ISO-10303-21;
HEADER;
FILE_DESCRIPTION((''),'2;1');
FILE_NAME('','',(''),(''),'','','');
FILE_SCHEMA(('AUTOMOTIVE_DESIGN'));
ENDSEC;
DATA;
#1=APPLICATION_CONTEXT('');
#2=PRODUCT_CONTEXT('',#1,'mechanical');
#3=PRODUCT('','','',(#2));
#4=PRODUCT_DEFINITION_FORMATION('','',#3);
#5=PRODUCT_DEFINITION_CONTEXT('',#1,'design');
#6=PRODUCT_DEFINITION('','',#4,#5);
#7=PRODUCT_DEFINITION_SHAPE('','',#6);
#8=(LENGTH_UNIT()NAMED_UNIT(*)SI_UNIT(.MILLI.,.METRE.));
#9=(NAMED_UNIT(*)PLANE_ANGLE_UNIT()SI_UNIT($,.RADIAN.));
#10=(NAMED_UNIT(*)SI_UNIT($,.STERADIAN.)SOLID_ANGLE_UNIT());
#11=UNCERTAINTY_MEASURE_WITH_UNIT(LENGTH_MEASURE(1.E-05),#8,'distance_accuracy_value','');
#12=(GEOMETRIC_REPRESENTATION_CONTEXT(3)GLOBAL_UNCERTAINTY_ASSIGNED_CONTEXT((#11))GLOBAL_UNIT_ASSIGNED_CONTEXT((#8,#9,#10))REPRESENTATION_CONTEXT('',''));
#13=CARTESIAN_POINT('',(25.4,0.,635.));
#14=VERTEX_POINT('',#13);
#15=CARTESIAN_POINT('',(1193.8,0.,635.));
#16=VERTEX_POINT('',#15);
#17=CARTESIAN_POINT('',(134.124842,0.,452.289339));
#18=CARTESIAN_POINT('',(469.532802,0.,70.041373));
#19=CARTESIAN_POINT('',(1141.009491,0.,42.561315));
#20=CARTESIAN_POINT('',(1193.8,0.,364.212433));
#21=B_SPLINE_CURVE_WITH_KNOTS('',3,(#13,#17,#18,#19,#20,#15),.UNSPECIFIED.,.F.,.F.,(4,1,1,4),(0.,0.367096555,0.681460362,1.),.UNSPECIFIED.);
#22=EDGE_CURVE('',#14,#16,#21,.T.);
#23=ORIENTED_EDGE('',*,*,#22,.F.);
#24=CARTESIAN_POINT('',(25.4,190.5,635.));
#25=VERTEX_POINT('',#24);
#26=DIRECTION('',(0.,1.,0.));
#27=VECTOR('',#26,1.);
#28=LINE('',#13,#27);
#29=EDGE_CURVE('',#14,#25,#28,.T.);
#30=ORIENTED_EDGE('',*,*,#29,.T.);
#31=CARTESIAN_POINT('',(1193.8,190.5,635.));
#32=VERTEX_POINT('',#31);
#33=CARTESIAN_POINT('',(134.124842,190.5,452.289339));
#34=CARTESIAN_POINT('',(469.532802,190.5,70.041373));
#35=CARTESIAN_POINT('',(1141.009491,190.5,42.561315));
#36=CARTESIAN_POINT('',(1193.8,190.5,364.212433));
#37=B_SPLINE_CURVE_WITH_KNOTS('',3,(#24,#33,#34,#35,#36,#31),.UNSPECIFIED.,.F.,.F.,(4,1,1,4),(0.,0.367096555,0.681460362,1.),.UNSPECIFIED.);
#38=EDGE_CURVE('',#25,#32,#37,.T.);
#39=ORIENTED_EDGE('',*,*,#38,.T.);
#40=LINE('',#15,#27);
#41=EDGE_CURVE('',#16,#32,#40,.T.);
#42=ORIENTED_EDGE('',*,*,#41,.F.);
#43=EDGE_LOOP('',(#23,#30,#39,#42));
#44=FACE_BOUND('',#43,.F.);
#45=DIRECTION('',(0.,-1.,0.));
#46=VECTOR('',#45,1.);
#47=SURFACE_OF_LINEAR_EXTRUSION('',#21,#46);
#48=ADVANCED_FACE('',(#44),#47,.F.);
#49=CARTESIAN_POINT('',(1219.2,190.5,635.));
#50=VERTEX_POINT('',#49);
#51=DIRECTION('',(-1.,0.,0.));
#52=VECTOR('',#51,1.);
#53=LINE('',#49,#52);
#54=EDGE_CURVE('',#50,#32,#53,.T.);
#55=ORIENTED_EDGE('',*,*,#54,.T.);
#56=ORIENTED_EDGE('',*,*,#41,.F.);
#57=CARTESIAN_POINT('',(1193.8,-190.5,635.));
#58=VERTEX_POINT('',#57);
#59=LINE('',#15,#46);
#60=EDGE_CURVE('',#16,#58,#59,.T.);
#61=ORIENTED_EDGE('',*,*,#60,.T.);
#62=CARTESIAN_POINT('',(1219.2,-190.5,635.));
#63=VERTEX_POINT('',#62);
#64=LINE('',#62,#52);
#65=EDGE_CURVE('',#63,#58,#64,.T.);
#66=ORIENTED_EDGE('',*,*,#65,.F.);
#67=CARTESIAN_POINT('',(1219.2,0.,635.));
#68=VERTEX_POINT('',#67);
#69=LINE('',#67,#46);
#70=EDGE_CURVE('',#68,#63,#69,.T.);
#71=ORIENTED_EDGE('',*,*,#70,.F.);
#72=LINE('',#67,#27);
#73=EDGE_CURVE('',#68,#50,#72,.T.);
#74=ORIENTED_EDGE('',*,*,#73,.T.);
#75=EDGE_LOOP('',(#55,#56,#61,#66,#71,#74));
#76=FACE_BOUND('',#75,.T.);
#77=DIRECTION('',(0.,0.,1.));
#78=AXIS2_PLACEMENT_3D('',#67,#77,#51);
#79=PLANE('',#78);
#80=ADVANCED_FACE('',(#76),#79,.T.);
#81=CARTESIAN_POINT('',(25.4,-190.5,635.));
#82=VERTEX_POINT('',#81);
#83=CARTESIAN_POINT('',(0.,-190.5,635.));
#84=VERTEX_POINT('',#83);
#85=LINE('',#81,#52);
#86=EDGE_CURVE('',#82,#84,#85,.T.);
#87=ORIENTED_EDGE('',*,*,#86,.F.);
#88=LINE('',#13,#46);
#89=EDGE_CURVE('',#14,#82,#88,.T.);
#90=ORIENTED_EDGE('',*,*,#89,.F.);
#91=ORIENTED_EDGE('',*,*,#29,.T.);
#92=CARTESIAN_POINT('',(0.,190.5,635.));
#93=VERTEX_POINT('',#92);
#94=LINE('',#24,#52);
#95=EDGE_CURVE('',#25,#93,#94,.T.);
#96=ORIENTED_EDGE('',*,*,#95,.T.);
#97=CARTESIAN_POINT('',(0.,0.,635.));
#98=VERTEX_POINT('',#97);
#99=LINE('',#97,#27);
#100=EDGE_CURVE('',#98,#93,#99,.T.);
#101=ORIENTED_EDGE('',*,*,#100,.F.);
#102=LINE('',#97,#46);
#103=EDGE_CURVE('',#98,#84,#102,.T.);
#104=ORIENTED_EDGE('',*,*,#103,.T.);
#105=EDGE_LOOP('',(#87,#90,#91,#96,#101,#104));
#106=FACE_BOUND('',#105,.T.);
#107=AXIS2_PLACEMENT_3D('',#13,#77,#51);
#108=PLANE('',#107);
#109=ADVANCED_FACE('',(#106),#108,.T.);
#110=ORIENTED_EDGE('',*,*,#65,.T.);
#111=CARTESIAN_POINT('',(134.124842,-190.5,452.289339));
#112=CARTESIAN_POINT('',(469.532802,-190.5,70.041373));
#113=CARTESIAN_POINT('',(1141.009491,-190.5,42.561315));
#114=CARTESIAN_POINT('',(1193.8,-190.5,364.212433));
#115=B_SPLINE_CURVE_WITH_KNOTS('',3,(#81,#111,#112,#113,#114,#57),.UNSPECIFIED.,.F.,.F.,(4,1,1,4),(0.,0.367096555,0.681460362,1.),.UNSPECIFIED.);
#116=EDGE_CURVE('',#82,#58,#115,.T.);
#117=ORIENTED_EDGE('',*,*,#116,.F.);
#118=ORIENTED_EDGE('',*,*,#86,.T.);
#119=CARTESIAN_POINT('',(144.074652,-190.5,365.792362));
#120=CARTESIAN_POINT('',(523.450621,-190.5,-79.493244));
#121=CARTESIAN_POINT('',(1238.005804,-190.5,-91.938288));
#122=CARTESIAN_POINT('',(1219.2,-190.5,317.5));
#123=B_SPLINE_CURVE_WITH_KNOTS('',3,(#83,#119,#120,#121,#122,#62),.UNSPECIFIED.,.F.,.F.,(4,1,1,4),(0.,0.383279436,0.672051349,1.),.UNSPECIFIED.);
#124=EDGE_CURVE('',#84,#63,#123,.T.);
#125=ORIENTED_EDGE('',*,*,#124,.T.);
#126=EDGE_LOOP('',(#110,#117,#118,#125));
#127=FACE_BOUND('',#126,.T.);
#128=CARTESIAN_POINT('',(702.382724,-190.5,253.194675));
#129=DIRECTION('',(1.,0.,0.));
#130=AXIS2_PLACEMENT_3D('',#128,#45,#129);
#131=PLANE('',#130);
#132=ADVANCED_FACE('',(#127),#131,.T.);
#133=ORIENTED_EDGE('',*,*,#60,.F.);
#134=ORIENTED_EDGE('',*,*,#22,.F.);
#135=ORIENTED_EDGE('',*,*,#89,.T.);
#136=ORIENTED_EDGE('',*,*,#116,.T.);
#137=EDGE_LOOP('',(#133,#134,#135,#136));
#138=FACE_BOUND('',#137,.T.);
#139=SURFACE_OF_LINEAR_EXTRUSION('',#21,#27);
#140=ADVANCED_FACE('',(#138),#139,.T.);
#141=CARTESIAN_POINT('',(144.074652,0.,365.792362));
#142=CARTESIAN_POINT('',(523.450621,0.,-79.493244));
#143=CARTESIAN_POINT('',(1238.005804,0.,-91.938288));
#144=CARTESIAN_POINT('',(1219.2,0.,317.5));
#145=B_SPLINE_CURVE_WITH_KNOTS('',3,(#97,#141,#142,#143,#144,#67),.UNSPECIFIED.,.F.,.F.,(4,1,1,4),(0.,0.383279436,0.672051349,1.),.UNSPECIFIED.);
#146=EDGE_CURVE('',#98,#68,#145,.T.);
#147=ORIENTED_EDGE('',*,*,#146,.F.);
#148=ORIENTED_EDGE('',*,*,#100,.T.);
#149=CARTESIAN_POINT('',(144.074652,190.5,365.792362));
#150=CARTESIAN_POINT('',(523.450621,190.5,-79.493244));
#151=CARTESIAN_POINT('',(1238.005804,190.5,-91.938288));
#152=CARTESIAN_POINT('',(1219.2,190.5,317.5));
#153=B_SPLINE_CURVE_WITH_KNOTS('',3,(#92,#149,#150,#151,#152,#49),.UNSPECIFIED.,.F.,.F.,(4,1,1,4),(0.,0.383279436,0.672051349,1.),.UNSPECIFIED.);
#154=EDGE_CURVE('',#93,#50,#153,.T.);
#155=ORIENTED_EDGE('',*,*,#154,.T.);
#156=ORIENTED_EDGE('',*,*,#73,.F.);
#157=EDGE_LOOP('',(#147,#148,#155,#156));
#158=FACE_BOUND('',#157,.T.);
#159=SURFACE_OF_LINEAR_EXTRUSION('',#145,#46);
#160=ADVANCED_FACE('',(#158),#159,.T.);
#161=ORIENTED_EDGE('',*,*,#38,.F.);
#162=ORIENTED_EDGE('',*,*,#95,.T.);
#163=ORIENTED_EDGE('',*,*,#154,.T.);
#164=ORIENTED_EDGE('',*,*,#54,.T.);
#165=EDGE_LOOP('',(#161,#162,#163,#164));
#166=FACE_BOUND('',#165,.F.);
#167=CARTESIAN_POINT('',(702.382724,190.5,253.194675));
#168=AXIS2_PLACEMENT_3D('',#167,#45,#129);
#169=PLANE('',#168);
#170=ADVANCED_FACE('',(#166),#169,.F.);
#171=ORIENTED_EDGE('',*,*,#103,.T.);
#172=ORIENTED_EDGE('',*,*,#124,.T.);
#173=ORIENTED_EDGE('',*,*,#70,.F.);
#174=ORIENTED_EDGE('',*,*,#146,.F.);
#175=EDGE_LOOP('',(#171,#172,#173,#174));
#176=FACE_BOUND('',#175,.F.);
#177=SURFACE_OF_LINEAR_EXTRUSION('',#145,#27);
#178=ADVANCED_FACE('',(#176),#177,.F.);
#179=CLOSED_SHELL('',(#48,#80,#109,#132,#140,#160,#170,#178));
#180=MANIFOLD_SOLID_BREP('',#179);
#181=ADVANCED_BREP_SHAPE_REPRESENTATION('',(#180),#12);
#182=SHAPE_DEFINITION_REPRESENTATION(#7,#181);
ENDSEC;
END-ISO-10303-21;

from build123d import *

# Parameters (mm, degrees)
F1_DEPTH = 190.5


with BuildPart() as f1:
    # F0 (on Front) → F1 (new body, symmetric)
    with BuildSketch(Plane.XZ):
        with BuildLine():
            Line((25.4, 635), (0, 635))
            add(Edge.make_bspline(
                [(0, 635), (144.0746518326, 365.7923622228), (523.4506210955, -79.4932444453), (1238.0058035162, -91.9382880073), (1219.2, 317.5), (1219.2, 635)],
                knots=[0, 0, 0, 0, 0.3832794358, 0.6720513491, 1, 1, 1, 1], degree=3))
            Line((1219.2, 635), (1193.8, 635))
            add(Edge.make_bspline(
                [(25.4, 635), (134.1248416572, 452.289338749), (469.5328017827, 70.0413728303), (1141.0094912555, 42.5613148589), (1193.8, 364.2124326753), (1193.8, 635)],
                knots=[0, 0, 0, 0, 0.3670965553, 0.6814603617, 1, 1, 1, 1], degree=3))
        make_face()
    extrude(amount=F1_DEPTH, both=True)


solid = f1.part
